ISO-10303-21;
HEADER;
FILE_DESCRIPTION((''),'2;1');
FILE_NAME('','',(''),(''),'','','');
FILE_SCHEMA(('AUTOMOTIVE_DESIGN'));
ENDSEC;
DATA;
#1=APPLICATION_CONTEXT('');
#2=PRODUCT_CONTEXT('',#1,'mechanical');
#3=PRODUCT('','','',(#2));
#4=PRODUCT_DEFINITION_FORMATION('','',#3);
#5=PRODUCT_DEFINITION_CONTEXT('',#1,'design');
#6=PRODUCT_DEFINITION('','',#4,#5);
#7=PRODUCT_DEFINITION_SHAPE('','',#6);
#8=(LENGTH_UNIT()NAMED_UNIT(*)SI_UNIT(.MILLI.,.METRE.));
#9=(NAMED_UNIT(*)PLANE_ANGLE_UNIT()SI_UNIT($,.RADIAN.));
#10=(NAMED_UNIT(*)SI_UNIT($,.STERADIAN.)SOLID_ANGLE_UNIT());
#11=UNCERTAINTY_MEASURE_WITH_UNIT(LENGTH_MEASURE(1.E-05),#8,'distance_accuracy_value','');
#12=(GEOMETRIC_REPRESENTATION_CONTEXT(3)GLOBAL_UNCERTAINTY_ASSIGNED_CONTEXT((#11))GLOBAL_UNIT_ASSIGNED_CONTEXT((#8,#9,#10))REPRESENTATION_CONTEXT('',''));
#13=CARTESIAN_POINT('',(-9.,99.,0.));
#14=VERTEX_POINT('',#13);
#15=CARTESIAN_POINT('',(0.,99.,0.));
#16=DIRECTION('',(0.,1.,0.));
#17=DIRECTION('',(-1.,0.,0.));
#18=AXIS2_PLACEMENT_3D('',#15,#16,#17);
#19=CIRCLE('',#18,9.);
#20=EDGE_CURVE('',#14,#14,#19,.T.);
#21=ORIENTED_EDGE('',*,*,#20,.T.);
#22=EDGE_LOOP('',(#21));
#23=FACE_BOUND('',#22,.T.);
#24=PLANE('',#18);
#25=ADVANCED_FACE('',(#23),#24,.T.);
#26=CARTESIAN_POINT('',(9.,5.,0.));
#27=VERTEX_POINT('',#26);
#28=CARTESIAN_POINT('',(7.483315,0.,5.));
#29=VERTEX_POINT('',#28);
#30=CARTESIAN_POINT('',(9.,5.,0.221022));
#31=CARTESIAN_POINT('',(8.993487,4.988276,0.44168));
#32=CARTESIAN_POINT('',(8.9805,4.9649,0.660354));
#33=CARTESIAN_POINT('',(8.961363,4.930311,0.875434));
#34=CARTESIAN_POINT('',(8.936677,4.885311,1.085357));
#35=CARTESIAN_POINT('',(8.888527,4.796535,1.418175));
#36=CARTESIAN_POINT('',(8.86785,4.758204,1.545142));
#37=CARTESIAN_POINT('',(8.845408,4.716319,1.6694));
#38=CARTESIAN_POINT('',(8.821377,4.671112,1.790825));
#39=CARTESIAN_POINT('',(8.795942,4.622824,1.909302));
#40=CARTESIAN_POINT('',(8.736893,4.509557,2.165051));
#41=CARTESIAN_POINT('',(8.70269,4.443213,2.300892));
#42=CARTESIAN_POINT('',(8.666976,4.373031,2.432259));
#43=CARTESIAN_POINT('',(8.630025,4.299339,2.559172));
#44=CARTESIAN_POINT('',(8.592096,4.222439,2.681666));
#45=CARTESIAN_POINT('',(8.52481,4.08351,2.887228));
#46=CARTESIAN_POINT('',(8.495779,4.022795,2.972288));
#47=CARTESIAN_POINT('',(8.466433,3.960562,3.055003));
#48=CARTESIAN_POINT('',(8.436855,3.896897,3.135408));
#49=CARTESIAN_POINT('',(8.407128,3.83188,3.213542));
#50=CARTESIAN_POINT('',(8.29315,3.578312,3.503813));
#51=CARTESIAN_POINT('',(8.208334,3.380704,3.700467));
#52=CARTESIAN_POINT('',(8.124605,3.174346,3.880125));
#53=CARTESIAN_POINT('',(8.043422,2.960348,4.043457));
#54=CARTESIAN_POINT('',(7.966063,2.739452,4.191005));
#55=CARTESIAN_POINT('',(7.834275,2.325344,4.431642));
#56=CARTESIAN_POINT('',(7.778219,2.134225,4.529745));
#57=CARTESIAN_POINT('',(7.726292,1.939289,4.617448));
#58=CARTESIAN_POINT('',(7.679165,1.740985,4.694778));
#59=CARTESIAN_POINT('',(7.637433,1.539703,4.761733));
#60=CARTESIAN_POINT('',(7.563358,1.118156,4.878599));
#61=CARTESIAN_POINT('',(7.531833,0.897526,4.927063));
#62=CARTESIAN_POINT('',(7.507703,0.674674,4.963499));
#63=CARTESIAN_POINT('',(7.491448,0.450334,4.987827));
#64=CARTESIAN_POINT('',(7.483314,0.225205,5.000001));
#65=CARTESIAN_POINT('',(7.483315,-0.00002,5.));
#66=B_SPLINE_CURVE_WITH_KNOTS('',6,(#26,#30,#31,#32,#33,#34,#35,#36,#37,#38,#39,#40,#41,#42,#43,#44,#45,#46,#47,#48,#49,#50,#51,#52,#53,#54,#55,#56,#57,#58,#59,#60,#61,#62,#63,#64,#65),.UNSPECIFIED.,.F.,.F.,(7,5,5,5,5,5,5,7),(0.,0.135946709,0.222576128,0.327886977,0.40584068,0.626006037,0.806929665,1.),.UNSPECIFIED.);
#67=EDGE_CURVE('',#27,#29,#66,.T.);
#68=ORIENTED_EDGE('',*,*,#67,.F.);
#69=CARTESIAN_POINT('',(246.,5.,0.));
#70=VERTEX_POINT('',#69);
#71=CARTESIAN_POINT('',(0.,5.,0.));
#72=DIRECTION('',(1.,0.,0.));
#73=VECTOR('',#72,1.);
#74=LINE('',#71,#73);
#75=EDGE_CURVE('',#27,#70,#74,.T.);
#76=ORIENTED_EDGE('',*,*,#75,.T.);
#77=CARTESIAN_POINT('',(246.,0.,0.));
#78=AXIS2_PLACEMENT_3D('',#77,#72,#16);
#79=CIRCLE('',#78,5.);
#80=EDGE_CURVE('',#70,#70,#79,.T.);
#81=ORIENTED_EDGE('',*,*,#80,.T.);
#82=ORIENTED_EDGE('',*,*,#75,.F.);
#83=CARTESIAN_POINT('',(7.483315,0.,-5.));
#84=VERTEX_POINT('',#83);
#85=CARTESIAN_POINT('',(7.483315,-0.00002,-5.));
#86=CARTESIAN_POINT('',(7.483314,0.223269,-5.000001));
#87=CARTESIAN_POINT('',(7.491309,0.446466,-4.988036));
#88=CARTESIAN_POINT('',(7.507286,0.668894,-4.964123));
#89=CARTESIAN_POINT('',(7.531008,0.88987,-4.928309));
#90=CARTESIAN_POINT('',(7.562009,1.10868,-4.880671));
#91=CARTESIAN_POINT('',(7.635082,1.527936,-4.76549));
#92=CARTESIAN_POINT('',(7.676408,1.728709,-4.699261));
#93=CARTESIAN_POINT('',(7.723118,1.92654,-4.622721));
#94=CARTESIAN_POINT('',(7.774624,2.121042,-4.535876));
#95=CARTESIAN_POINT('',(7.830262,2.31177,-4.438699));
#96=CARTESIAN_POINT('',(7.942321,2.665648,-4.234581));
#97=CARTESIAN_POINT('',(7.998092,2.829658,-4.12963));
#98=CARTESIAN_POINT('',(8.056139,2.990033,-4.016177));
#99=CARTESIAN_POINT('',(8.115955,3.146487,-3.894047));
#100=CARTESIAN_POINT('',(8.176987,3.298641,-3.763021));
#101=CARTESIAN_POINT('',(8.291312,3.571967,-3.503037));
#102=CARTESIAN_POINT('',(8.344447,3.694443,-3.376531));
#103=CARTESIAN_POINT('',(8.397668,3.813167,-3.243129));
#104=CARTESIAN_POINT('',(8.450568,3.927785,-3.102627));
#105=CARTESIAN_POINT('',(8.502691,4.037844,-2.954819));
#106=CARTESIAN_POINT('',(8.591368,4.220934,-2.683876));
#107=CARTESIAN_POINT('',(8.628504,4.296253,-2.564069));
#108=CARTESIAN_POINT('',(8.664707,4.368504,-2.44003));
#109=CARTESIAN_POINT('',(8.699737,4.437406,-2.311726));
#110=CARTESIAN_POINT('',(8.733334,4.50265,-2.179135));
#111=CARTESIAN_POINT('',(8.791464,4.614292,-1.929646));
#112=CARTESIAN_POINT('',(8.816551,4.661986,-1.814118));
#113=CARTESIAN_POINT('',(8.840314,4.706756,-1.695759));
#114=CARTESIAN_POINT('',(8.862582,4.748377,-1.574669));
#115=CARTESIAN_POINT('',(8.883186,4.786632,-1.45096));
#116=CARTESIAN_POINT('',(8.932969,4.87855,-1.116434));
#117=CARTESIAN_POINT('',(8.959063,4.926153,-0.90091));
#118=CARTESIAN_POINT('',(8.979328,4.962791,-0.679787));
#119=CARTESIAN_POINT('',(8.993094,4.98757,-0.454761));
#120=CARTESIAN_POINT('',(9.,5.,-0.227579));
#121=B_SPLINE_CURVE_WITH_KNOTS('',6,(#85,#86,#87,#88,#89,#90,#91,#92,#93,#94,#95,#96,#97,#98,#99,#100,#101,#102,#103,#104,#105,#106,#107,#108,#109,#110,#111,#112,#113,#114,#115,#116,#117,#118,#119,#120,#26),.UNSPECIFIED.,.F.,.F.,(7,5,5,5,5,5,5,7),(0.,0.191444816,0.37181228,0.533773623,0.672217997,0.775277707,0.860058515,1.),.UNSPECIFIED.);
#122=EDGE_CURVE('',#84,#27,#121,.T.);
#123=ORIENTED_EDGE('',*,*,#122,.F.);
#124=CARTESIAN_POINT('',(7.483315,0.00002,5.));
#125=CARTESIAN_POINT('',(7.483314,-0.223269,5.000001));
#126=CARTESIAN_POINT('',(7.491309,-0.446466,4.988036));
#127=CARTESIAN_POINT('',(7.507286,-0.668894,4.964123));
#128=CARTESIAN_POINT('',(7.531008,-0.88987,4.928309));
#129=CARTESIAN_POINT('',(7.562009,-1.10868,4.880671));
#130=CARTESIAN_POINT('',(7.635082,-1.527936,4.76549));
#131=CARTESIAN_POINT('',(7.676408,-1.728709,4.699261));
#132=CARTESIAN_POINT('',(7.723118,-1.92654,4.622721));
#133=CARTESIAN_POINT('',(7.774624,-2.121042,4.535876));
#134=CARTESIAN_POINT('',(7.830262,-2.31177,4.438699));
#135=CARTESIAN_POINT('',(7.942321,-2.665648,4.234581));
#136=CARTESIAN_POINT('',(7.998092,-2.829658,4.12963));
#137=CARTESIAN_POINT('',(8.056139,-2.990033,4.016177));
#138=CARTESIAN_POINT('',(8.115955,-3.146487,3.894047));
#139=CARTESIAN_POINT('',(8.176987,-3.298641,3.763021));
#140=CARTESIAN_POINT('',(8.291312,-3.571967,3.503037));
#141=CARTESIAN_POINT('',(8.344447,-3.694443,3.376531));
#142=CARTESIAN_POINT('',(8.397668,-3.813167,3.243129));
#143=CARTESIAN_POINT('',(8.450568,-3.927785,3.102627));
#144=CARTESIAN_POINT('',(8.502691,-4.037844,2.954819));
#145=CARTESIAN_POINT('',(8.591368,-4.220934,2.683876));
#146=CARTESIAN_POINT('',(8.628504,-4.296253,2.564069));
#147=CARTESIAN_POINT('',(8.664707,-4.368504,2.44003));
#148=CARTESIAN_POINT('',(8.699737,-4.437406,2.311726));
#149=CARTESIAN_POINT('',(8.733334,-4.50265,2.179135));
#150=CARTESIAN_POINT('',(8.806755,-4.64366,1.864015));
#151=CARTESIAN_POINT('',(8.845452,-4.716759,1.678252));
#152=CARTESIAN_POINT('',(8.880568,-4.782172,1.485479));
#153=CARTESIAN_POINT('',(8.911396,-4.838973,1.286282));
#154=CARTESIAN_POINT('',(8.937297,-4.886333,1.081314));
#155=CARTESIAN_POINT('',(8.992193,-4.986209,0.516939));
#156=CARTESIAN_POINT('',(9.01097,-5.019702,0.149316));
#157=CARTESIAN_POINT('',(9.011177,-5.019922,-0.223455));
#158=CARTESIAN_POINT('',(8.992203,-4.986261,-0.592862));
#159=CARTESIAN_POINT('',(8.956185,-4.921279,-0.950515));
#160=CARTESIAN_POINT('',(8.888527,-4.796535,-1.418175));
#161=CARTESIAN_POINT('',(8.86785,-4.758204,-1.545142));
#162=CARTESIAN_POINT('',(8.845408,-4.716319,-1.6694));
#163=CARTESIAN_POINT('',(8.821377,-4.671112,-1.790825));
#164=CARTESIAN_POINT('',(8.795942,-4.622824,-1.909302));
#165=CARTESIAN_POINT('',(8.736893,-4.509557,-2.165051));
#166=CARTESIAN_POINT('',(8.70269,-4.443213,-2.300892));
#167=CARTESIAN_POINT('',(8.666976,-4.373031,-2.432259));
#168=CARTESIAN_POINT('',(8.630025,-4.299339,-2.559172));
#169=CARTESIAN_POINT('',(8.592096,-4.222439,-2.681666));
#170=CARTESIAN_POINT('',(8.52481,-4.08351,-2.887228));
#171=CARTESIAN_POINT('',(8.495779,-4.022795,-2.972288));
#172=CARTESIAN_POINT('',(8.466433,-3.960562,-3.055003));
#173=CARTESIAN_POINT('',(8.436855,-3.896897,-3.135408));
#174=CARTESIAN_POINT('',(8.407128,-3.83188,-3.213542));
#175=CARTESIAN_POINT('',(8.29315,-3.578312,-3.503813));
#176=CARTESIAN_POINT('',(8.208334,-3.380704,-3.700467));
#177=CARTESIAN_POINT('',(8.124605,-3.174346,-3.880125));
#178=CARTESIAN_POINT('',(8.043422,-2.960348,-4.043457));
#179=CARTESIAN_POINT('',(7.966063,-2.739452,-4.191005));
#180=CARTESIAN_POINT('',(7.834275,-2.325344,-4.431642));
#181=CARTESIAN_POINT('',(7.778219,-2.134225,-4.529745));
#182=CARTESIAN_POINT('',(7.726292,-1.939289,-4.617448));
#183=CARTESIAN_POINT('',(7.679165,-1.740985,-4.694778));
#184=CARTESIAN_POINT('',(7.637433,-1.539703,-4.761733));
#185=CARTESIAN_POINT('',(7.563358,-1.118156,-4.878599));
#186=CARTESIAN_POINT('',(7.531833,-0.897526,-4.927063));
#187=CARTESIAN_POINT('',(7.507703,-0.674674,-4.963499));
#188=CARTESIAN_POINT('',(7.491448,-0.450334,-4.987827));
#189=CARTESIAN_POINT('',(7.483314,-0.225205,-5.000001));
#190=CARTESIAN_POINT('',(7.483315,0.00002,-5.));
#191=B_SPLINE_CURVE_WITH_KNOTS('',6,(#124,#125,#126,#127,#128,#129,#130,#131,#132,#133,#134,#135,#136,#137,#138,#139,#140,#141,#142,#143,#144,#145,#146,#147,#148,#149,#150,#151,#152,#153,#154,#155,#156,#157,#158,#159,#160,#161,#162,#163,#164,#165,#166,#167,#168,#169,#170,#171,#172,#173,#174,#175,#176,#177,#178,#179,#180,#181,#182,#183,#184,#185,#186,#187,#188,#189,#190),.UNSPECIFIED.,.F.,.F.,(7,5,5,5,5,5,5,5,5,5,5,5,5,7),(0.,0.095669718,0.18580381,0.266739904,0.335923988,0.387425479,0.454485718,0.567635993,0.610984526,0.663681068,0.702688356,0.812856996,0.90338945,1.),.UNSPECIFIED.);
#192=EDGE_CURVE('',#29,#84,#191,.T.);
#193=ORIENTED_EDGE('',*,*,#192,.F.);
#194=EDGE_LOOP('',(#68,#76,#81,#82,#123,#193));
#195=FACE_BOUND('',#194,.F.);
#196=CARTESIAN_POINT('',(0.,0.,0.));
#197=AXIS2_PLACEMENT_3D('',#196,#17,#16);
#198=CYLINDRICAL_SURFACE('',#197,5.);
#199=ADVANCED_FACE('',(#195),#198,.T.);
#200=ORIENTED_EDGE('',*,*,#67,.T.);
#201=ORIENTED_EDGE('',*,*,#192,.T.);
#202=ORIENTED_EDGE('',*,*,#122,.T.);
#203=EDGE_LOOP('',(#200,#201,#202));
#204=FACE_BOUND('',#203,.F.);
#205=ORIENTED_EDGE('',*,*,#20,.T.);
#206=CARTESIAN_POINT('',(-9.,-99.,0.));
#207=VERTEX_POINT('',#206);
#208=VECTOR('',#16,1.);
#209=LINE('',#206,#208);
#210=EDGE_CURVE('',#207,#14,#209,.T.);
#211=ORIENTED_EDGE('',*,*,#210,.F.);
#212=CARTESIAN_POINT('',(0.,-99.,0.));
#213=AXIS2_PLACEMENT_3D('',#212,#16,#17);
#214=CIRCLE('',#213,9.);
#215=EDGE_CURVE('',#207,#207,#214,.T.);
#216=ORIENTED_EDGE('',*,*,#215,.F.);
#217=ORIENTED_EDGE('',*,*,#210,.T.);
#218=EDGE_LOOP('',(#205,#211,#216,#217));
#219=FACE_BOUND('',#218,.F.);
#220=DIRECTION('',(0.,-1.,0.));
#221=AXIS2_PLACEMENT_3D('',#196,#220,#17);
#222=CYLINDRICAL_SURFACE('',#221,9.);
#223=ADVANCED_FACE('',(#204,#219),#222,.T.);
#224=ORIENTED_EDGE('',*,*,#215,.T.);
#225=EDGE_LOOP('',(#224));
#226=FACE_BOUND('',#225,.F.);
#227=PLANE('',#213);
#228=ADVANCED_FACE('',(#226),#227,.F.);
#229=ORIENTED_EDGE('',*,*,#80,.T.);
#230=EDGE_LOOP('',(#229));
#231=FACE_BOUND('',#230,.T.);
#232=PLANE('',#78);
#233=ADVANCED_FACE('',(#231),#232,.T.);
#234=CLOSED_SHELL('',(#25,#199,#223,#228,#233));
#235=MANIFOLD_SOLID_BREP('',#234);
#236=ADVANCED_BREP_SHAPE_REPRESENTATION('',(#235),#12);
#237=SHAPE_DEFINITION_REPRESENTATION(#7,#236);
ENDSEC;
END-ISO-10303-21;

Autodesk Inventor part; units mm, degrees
ref_plane "YZ Plane" through (0, 0, 0) normal (1, 0, 0) x (0, 1, 0)
ref_plane "XZ Plane" through (0, 0, 0) normal (0, 1, 0) x (-1, 0, 0)
ref_plane "XY Plane" through (0, 0, 0) normal (0, 0, 1) x (1, 0, 0)
sketch "スケッチ1" plane through (0, 0, 0) normal (0, 1, 0) x (-1, 0, 0)
  circle A0 centre (0, 0) radius 9
  dimension "d0" = 18
extrude "押し出し1" add sketch "スケッチ1" along normal blind 99 and the other way blind 99
sketch "スケッチ2" plane through (0, 99, 0) normal (0, 1, 0) x (1, 0, 0)
  point P0 (0, 0)
  point P1 (0, 0)
sketch "スケッチ3" plane through (0, -99, 0) normal (0, -1, 0) x (1, 0, 0)
  point P0 (0, 0)
  point P1 (0, 0)
sketch "スケッチ4" plane through (0, 0, 0) normal (1, 0, 0) x (0, 1, 0)
  point P0 (0, 0)
sketch "スケッチ5" plane through (0, 0, 0) normal (1, 0, 0) x (0, 1, 0)
  circle A0 centre (0, 0) radius 5
  dimension "d5" = 10
extrude "押し出し2" add sketch "スケッチ5" along normal blind 246
sketch "スケッチ6" plane through (246, 0, 0) normal (1, 0, 0) x (0, 0, -1)
  point P0 (0, 0)
sketch "スケッチ7" plane through (246, 0, 0) normal (1, 0, 0) x (0, 0, -1)
  point P0 (0, 0)
sketch "スケッチ8" plane through (246, 0, 0) normal (1, 0, 0) x (0, 0, -1)
  circle A0 centre (0, 0) radius 5
  dimension "d8" = 10
sketch "スケッチ9" plane through (0, 99, 0) normal (0, 1, 0) x (1, 0, 0)
  circle A0 centre (0, 0) radius 9
properties part number "Tonbo"
